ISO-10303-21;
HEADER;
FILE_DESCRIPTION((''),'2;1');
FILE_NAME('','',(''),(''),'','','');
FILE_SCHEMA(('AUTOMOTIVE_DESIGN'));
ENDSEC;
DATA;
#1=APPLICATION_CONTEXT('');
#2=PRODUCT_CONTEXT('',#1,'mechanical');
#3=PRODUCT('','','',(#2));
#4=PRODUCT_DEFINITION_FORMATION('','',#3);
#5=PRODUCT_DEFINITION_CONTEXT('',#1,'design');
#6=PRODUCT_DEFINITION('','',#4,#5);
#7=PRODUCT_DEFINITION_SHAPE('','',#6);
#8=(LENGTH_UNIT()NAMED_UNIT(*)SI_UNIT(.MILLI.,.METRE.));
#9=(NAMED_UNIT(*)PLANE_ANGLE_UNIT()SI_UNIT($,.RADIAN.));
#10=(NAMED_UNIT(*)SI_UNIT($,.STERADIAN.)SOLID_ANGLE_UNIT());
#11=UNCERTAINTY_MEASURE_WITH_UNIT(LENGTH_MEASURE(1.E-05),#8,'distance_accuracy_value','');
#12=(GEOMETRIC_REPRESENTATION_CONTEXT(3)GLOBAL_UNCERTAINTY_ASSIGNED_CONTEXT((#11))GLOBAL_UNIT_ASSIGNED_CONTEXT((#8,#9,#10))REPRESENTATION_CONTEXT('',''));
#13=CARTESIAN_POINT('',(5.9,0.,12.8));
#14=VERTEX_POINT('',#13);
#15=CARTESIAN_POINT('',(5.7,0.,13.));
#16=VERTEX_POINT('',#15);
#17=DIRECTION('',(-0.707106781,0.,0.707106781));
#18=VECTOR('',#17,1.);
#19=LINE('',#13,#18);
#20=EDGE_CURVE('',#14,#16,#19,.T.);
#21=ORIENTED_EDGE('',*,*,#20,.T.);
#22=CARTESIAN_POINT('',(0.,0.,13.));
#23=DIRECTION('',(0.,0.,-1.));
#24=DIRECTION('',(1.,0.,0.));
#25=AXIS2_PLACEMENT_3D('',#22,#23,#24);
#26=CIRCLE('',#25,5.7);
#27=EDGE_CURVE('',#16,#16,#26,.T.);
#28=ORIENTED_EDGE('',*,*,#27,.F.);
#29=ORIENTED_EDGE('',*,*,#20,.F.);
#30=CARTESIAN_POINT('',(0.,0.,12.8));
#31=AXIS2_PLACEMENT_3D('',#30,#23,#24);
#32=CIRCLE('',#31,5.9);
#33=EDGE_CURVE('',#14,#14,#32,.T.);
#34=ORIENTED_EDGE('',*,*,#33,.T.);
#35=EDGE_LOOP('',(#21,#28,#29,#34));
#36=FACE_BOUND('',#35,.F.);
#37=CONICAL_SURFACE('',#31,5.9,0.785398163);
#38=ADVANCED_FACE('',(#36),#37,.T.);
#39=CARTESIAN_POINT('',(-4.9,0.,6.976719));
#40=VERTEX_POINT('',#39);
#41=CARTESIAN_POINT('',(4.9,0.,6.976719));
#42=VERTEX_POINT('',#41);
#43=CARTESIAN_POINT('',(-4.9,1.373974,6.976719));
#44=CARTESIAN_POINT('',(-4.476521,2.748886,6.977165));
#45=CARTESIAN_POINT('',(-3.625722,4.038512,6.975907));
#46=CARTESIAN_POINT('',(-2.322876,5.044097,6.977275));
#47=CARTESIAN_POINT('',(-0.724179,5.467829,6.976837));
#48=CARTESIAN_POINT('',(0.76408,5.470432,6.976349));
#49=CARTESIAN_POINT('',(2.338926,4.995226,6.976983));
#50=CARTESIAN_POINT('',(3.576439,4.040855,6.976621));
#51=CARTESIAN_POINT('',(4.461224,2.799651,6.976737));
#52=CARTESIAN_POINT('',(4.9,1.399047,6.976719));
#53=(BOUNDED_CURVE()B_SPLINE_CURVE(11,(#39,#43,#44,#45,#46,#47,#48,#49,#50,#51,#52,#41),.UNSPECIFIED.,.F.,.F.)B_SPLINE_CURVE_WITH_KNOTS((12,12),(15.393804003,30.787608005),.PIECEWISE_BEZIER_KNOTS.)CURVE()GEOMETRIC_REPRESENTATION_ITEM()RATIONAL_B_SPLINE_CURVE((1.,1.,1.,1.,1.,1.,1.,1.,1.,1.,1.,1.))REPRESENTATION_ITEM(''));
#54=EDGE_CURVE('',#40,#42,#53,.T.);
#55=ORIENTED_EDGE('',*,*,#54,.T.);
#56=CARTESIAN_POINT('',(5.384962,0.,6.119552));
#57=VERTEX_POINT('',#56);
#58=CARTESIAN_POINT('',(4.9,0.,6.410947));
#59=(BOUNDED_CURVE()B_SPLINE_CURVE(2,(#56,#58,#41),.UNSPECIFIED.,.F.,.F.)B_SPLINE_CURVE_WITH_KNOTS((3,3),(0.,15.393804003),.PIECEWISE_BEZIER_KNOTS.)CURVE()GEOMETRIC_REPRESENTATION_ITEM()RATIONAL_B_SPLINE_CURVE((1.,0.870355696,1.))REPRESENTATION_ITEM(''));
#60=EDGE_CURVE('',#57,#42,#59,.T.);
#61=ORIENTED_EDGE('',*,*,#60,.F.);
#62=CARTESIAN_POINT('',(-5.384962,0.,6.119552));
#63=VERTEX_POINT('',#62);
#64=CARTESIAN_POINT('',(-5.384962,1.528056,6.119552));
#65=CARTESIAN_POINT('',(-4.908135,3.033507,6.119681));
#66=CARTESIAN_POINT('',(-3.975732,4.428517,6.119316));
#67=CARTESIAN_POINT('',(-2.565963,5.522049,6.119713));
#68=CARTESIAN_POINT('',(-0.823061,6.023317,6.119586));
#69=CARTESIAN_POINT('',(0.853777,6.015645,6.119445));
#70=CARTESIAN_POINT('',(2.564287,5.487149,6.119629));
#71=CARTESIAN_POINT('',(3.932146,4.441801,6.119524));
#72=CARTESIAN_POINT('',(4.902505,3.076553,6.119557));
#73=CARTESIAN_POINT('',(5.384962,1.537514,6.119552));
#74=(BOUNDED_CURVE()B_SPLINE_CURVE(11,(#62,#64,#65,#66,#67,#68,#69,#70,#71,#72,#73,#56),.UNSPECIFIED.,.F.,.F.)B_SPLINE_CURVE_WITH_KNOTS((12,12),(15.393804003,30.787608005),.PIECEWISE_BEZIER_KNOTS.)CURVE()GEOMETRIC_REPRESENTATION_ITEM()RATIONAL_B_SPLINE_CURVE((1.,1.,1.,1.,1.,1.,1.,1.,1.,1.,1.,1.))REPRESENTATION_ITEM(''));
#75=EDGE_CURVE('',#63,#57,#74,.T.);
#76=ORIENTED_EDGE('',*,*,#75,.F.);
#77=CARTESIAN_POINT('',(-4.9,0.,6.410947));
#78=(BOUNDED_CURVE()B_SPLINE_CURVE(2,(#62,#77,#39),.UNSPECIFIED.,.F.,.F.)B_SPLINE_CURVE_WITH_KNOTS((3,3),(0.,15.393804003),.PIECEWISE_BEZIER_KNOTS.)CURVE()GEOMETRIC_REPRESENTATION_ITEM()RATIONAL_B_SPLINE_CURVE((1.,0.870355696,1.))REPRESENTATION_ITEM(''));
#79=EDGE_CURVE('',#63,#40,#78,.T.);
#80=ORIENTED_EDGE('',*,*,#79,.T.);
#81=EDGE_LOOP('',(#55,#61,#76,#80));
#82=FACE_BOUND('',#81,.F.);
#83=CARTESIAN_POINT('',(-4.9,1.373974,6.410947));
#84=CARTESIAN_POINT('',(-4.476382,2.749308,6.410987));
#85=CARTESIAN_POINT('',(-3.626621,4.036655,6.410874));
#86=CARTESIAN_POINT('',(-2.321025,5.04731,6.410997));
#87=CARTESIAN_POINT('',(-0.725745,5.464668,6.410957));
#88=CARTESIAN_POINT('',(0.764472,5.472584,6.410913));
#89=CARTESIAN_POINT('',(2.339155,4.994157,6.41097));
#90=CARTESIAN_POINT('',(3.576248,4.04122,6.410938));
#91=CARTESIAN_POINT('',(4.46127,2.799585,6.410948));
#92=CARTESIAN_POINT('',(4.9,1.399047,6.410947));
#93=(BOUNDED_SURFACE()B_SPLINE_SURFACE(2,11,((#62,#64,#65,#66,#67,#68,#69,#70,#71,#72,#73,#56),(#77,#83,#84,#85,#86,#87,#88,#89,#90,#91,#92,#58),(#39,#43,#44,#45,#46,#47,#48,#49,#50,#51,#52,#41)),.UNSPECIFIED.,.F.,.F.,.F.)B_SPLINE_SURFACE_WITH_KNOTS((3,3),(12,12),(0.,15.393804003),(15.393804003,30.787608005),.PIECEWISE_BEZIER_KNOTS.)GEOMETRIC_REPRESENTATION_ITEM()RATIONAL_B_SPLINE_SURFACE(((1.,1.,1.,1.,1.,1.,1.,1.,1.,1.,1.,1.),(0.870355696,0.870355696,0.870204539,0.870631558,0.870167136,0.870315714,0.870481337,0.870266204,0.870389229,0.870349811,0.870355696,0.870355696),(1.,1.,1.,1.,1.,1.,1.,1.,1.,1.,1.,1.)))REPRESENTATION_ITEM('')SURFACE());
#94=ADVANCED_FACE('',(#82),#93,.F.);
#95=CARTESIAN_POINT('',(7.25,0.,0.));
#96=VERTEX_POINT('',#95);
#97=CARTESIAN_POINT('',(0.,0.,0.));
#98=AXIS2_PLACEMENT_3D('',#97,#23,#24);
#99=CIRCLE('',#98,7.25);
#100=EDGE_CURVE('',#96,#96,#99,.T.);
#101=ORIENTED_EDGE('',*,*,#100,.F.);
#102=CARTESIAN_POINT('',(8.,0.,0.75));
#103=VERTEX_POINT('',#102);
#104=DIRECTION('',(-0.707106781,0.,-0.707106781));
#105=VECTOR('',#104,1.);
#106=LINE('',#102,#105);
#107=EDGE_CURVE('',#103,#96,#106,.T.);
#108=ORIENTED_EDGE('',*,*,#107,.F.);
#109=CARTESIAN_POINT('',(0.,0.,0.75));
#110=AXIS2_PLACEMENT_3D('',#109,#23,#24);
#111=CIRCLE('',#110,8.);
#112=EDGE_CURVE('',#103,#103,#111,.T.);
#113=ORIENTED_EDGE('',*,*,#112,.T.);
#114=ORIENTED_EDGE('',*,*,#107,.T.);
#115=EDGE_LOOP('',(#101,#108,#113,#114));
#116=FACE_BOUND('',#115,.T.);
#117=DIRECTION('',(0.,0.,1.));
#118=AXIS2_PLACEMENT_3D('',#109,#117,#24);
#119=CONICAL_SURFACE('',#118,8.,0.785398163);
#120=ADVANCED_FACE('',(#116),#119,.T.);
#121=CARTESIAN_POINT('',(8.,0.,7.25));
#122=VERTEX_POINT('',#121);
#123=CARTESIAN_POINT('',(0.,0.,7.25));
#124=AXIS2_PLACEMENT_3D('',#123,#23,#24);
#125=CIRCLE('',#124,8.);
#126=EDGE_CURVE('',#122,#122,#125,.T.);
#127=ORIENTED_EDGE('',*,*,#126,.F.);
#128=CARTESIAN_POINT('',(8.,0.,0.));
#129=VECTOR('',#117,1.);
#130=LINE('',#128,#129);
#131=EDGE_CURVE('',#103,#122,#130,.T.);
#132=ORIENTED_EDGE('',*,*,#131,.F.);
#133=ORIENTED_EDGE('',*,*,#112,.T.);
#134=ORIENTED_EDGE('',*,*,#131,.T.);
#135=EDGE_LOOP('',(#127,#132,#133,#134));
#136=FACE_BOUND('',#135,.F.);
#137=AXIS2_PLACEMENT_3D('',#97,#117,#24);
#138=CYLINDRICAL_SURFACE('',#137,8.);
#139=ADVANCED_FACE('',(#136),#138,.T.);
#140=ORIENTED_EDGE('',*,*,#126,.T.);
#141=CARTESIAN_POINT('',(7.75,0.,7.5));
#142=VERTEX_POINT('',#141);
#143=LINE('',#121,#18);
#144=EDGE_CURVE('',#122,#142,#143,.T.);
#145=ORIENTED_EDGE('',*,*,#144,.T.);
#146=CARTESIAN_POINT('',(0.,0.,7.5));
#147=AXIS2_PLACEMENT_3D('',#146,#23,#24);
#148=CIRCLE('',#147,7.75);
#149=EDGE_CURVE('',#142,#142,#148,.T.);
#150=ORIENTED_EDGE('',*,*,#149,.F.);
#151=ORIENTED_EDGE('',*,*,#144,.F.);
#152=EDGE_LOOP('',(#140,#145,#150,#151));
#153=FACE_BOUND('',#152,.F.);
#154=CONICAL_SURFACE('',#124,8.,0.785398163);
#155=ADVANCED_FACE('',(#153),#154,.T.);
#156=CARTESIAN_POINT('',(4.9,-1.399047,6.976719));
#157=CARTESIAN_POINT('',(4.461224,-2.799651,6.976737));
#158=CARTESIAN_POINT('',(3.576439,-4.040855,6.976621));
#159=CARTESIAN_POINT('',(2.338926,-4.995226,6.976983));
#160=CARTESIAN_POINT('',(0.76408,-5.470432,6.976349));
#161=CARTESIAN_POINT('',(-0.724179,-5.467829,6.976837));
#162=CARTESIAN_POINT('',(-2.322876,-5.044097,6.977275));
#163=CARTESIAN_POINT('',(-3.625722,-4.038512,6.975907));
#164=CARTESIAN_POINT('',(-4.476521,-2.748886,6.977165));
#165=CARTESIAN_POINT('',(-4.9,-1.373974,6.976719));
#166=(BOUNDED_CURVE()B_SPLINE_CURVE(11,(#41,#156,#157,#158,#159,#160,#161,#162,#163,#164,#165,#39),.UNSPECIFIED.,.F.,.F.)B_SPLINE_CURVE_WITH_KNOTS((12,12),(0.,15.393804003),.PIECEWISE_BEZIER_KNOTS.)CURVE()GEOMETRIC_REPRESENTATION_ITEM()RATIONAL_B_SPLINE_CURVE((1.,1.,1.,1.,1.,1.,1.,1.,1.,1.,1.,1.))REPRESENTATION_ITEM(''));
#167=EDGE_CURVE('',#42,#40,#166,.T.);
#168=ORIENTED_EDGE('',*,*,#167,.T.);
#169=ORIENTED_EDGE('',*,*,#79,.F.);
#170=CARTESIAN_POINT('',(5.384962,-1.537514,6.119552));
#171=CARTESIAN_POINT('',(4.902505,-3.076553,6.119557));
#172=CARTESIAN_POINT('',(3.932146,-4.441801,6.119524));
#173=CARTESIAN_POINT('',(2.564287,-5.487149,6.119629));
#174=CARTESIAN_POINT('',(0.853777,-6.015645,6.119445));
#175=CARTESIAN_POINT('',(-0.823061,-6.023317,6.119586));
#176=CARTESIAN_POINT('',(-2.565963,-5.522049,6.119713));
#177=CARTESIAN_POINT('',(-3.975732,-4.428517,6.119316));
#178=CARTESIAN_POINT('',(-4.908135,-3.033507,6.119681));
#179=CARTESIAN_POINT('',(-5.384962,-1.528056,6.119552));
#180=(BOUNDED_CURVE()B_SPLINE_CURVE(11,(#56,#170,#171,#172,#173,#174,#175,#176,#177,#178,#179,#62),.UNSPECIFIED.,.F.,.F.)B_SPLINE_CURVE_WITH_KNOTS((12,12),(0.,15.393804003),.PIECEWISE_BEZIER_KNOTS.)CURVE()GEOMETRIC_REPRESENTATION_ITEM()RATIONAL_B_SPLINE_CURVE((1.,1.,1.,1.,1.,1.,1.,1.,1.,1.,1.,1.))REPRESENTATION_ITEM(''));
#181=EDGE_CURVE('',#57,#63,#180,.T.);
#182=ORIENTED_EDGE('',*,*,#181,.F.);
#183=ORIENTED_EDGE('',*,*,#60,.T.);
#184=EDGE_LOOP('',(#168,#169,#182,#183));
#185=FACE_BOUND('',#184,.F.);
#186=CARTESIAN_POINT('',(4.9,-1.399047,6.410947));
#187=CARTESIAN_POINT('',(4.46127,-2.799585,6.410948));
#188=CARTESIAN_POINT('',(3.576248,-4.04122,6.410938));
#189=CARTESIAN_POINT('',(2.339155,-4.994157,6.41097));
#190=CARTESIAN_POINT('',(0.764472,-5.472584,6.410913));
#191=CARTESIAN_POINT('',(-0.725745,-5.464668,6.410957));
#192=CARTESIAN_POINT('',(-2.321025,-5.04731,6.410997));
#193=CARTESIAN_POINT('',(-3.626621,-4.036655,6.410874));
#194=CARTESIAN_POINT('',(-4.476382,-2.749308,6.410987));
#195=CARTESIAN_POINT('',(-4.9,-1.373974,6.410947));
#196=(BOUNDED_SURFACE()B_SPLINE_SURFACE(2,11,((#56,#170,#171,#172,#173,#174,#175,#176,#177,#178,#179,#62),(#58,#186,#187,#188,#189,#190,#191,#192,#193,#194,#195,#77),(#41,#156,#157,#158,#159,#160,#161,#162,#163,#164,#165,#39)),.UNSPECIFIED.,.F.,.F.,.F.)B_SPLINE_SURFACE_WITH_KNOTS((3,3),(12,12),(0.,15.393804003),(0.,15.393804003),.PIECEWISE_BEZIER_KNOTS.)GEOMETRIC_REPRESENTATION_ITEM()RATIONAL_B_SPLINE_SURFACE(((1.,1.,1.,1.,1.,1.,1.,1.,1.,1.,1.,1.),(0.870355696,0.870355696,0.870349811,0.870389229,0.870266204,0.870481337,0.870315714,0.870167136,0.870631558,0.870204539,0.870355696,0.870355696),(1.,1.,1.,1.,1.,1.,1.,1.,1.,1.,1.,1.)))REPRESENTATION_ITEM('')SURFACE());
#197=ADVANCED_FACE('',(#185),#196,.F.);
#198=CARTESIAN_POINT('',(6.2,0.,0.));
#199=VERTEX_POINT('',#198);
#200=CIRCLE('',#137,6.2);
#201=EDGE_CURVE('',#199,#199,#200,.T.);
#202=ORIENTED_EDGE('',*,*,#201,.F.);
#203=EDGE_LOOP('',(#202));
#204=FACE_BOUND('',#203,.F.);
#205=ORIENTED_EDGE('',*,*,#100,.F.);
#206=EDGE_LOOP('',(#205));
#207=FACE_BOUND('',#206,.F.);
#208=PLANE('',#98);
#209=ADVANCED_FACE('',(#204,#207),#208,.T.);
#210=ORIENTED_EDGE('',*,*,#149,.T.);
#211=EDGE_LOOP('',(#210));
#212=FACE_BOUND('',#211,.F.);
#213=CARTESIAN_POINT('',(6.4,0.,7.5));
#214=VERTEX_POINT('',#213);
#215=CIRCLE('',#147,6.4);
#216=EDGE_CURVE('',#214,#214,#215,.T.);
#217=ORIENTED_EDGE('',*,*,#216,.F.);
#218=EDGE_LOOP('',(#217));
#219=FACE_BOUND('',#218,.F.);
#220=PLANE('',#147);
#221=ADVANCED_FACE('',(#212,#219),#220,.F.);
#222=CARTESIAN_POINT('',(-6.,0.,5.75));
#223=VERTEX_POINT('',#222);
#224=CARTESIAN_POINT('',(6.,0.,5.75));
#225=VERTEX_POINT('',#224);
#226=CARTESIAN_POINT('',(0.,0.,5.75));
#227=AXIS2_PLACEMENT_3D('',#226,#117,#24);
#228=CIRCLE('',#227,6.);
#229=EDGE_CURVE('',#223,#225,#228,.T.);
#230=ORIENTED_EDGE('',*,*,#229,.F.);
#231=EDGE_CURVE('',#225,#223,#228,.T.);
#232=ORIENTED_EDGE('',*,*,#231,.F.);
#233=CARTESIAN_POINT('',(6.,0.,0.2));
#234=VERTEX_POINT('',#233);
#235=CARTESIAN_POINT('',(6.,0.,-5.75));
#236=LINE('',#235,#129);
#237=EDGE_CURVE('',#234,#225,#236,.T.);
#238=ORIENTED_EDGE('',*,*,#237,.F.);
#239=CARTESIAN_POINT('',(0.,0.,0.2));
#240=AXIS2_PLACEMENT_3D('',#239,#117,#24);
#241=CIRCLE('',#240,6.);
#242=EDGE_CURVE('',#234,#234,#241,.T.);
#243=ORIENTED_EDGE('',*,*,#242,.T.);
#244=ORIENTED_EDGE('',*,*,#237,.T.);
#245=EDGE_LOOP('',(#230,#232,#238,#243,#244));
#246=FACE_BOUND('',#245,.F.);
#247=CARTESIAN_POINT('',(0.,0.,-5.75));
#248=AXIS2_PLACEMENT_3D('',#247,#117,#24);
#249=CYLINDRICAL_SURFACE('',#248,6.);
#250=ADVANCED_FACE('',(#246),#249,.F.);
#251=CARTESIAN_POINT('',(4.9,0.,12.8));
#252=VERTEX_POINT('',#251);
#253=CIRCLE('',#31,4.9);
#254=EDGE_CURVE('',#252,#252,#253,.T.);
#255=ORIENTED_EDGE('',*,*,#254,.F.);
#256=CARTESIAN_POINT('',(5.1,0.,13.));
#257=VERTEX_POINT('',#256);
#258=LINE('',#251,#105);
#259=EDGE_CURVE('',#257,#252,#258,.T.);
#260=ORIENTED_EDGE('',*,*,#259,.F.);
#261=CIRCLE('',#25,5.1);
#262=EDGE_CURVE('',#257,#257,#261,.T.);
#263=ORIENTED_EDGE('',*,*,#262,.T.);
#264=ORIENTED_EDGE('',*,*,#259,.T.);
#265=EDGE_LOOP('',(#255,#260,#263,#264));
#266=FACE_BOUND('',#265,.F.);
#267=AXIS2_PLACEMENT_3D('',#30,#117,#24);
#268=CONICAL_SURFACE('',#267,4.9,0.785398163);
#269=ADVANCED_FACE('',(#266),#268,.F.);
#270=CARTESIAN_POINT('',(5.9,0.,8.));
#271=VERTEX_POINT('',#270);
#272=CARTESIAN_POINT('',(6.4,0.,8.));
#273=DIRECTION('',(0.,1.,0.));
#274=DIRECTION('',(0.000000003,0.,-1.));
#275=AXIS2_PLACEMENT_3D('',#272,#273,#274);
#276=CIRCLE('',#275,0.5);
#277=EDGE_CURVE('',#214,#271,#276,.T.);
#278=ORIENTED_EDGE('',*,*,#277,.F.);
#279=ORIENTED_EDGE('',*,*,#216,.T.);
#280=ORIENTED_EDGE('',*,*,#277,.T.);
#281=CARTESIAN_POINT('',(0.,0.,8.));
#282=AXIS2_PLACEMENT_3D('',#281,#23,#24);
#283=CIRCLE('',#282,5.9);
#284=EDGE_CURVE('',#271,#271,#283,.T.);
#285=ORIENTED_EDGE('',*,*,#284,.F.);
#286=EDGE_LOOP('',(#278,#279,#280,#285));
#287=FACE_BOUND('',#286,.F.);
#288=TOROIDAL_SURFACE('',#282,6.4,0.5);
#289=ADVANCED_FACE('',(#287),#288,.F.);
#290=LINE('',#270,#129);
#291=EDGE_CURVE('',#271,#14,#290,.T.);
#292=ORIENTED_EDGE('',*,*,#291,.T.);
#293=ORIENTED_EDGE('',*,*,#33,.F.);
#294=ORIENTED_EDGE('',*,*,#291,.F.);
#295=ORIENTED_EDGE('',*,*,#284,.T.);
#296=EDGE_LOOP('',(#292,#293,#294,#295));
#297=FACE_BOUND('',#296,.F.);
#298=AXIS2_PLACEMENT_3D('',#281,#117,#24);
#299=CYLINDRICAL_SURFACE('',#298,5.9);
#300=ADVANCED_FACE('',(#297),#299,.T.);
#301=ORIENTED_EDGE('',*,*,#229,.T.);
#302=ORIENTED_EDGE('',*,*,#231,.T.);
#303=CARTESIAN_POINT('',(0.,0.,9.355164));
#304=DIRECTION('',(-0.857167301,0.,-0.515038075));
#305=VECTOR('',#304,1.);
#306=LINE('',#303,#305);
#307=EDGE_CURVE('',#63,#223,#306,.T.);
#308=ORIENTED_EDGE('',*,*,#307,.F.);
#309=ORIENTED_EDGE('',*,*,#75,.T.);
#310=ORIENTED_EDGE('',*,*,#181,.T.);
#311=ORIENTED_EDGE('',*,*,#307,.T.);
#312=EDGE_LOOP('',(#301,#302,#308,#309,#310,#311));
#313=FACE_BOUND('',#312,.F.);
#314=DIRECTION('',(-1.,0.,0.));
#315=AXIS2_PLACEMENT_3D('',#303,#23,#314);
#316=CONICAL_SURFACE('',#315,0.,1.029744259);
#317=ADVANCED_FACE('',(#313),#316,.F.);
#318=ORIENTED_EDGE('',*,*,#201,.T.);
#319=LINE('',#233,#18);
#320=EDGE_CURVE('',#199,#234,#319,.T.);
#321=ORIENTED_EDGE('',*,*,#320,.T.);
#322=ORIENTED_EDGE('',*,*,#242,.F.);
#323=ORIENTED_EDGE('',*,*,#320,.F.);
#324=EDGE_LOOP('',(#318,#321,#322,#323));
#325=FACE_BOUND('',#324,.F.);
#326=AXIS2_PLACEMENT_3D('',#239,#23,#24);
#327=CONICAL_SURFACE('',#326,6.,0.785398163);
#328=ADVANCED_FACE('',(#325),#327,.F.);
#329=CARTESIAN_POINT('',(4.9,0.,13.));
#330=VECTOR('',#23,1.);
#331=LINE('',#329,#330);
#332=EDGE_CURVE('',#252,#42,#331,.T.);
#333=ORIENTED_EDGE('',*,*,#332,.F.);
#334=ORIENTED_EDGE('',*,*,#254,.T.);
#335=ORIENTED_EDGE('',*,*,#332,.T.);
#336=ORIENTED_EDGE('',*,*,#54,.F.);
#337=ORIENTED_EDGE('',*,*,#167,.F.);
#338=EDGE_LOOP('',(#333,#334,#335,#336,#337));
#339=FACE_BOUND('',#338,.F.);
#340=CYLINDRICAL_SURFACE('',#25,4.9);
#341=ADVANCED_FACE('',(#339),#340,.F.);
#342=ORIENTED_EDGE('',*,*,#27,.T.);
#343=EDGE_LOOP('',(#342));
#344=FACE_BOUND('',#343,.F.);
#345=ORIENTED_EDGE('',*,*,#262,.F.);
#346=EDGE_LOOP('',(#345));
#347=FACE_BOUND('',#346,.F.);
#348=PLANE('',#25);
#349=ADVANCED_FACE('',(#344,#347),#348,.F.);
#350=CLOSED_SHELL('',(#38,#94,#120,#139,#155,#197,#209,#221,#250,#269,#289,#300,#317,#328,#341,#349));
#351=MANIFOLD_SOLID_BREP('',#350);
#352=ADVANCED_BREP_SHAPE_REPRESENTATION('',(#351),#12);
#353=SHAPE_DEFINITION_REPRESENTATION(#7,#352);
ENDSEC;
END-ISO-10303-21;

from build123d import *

# Parameters (mm, degrees)
F_12_0_12_DIAMETER_HOLE1_D     = 12
F_12_0_12_DIAMETER_HOLE1_DEPTH = 5.75
F_12_0_12_DIAMETER_HOLE1_TIP   = 3.605163714
CHAMFER1_SIZE                  = 0.75
CHAMFER2_SIZE                  = 0.25
CHAMFER3_SIZE                  = 0.2
FILLET1_R                      = 1


with BuildPart() as part:
    # Sketch1 → Revolve1 (revolve)
    with BuildSketch(Plane.XZ):
        with BuildLine():
            Line((5.9, 13), (4.9, 13))
            Line((4.9, 13), (4.9, 5.75))
            Line((4.9, 5.75), (0, 5.75))
            Line((0, 5.75), (0, 0))
            Line((0, 0), (8, 0))
            Line((8, 0), (8, 7.5))
            Line((8, 7.5), (6.4, 7.5))
            ThreePointArc((6.4, 7.5), (6.046446609, 7.646446609), (5.9, 8))
            Line((5.9, 8), (5.9, 13))
        make_face()
    revolve(axis=Axis((0, 0, 13), (0, 0, -1)))

    # Ø12.0 (12) Diameter Hole1
    with Locations(Plane(origin=(0, 0, 0), x_dir=(-1, 0, 0), z_dir=(0, 0, -1))):
        with Locations((0, 0)):
            Hole(F_12_0_12_DIAMETER_HOLE1_D / 2, depth=F_12_0_12_DIAMETER_HOLE1_DEPTH)
            with Locations((0, 0, -(F_12_0_12_DIAMETER_HOLE1_DEPTH + F_12_0_12_DIAMETER_HOLE1_TIP / 2))):  # 118° drill point
                Cone(0, F_12_0_12_DIAMETER_HOLE1_D / 2, F_12_0_12_DIAMETER_HOLE1_TIP, mode=Mode.SUBTRACT)

    # Chamfer1
    chamfer1_edges = [part.edges().sort_by_distance(p)[0] for p in [
        (-8, 0, 0),
    ]]
    chamfer(chamfer1_edges, length=CHAMFER1_SIZE)

    # Chamfer2
    chamfer2_edges = [part.edges().sort_by_distance(p)[0] for p in [
        (-8, 0, 7.5),
    ]]
    chamfer(chamfer2_edges, length=CHAMFER2_SIZE)

    # Chamfer3
    chamfer3_edges = [part.edges().sort_by_distance(p)[0] for p in [
        (-6, 0, 0),
        (-5.9, 0, 13),
        (-4.9, 0, 13),
    ]]
    chamfer(chamfer3_edges, length=CHAMFER3_SIZE)

    # Fillet1
    fillet1_edges = [part.edges().sort_by_distance(p)[0] for p in [
        (0, -4.9, 6.410946681),
    ]]
    fillet(fillet1_edges, radius=FILLET1_R)


solid = part.part
